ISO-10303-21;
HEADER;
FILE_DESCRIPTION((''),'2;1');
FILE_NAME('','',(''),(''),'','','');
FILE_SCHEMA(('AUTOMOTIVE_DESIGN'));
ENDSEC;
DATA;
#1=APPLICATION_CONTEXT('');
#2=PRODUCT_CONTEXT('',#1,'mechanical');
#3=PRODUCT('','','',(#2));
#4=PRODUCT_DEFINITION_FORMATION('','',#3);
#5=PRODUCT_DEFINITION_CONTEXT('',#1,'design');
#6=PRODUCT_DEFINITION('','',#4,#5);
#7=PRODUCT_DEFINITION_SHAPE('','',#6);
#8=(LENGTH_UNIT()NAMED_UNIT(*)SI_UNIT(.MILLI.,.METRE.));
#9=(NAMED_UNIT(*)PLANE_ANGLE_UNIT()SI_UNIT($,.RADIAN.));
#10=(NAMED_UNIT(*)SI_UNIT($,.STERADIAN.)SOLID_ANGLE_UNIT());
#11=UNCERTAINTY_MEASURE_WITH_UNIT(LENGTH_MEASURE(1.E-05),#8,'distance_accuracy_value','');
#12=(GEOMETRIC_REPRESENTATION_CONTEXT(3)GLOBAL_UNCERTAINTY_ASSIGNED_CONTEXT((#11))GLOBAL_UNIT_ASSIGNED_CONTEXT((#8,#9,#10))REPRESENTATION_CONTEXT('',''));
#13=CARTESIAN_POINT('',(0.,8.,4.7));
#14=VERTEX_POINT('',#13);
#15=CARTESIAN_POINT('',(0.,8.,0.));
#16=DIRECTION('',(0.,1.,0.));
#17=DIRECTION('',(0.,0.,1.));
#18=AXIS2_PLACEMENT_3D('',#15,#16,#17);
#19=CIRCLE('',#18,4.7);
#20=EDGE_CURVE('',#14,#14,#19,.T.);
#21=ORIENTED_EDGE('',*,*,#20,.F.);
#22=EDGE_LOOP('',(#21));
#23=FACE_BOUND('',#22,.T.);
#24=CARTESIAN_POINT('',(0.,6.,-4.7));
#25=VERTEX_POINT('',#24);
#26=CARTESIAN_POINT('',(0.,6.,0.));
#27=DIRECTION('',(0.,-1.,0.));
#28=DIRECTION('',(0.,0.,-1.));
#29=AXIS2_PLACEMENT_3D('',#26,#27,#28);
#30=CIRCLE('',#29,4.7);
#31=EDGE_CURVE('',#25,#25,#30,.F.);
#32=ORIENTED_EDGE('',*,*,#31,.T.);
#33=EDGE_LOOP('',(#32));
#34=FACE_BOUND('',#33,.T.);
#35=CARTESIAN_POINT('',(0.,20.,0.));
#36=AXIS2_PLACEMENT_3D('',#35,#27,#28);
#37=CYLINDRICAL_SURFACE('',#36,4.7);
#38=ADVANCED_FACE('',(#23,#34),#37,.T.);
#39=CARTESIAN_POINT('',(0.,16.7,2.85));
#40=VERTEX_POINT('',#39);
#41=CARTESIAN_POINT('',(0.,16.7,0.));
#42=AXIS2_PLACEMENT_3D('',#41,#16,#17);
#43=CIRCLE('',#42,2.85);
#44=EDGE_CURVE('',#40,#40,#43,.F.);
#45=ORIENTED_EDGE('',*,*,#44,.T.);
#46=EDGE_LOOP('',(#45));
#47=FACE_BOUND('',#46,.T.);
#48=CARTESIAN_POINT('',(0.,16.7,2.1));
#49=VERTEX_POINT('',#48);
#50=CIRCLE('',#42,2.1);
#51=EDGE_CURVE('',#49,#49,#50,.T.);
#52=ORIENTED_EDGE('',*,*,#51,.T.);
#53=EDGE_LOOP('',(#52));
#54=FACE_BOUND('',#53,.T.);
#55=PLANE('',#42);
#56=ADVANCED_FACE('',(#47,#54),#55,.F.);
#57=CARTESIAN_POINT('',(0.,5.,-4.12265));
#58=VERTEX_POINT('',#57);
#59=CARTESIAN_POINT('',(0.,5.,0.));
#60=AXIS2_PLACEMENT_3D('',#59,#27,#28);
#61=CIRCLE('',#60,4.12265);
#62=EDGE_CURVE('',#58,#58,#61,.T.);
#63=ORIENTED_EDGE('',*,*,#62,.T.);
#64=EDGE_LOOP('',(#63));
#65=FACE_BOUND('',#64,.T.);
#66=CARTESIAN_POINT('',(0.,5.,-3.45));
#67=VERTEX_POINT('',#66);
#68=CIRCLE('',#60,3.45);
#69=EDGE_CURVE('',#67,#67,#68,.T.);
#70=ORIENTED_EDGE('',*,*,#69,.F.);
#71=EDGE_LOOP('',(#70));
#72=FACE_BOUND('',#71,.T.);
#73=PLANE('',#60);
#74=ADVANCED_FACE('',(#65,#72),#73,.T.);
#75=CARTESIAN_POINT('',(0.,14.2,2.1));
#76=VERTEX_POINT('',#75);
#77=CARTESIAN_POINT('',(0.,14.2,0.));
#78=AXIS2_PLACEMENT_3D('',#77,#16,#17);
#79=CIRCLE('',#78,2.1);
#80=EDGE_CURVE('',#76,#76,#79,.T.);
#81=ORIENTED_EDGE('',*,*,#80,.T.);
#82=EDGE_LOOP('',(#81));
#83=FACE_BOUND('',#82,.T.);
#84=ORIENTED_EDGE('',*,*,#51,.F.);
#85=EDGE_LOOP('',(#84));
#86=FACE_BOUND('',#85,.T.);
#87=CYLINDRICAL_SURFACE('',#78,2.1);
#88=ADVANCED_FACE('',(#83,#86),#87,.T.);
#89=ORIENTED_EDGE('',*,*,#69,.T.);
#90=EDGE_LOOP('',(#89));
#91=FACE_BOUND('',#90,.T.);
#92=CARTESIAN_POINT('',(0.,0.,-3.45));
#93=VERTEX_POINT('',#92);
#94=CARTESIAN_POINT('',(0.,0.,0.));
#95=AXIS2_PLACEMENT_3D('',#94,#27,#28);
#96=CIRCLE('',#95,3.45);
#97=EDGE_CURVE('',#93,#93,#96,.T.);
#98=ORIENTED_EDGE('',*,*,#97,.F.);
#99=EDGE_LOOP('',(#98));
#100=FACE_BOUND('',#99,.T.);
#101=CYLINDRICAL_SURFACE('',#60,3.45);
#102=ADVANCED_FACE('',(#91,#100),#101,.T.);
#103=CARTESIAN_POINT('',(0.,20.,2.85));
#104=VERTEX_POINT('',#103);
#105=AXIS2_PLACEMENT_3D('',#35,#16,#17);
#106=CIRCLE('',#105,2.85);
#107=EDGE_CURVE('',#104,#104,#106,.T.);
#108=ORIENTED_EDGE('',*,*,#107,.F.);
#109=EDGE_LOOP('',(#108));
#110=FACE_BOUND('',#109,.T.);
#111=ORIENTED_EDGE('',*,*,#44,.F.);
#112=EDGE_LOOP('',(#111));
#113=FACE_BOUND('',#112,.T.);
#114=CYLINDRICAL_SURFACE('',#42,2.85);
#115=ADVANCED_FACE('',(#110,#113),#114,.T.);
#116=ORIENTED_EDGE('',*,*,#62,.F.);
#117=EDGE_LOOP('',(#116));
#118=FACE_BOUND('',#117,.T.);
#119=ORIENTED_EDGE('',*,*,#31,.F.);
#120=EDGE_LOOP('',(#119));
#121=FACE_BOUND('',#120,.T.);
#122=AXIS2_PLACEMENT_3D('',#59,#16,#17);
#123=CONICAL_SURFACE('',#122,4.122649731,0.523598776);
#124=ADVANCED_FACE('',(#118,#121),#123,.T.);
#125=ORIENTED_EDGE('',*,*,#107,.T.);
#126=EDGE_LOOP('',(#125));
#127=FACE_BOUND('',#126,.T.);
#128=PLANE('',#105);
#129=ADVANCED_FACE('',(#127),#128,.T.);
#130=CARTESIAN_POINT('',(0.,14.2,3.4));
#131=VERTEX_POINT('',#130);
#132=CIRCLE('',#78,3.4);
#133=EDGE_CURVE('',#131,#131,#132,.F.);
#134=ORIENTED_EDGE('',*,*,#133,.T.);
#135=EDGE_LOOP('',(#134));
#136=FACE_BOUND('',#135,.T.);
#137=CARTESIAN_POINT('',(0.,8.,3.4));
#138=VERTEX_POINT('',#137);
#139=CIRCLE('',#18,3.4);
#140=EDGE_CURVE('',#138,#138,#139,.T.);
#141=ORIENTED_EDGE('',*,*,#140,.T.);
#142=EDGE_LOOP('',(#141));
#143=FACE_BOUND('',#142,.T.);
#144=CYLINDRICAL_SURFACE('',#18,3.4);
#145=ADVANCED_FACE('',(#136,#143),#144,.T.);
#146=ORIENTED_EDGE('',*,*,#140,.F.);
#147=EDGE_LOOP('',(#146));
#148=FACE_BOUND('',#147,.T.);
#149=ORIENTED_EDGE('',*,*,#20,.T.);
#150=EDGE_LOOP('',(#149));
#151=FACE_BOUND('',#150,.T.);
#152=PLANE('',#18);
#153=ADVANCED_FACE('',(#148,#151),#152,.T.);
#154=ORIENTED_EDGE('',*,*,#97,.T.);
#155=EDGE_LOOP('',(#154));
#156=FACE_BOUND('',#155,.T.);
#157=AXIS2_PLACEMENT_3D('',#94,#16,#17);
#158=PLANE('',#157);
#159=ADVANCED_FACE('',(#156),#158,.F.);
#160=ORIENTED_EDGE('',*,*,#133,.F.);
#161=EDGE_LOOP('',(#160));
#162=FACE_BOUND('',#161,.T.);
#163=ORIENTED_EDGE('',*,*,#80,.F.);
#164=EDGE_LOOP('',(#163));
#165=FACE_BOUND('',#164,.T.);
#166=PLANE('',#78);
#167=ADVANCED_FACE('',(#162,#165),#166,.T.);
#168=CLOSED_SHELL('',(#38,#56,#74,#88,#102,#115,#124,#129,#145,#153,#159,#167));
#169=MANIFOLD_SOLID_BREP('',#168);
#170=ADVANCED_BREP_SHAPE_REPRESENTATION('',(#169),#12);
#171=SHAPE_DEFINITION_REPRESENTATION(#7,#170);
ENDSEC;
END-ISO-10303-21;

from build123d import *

# Parameters (mm, degrees)
SKETCH1_R           = 4.7
BOSS_EXTRUDE1_DEPTH = 20
SKETCH2_OUTSIDE_W   = 16.202
SKETCH2_OUTSIDE_H   = 16.202
SKETCH2_OUTSIDE_R   = 3.45
CUT_EXTRUDE1_DEPTH  = 5
SKETCH4_OUTSIDE_W   = 16.202
SKETCH4_OUTSIDE_H   = 16.202
SKETCH4_OUTSIDE_R   = 3.4
CUT_EXTRUDE2_DEPTH  = 12
SKETCH5_OUTSIDE_W   = 16.202
SKETCH5_OUTSIDE_H   = 16.202
SKETCH5_OUTSIDE_R   = 2.85
CUT_EXTRUDE3_DEPTH  = 3.3
SKETCH7_OUTSIDE_W   = 16.202
SKETCH7_OUTSIDE_H   = 16.202
SKETCH7_OUTSIDE_R   = 2.1
CUT_EXTRUDE4_DEPTH  = 2.5
CHAMFER1_SIZE       = 1
CHAMFER1_SIZE2      = 0.577350269


with BuildPart() as part:
    # Sketch1 → Boss-Extrude1 (new body)
    with BuildSketch(Plane(origin=(0, 0, 0), x_dir=(1, 0, 0), z_dir=(0, 1, 0))):
        with Locations(Location((0, 0, 0), (0, 0, 270))):  # turned: the seam where the file's is
            Circle(SKETCH1_R)
    extrude(amount=BOSS_EXTRUDE1_DEPTH)

    # Sketch2 outside → Cut-Extrude1 (cut)
    with BuildSketch(Plane.XZ):
        Rectangle(SKETCH2_OUTSIDE_W, SKETCH2_OUTSIDE_H)
        with Locations(Location((0, 0, 0), (0, 0, 270))):  # turned: the seam where the file's is
            Circle(SKETCH2_OUTSIDE_R, mode=Mode.SUBTRACT)
    extrude(amount=-CUT_EXTRUDE1_DEPTH, mode=Mode.SUBTRACT)

    # Sketch4 outside → Cut-Extrude2 (cut)
    with BuildSketch(Plane(origin=(0, 20, 0), x_dir=(1, 0, 0), z_dir=(0, 1, 0))):
        Rectangle(SKETCH4_OUTSIDE_W, SKETCH4_OUTSIDE_H)
        with Locations(Location((0, 0, 0), (0, 0, 270))):  # turned: the seam where the file's is
            Circle(SKETCH4_OUTSIDE_R, mode=Mode.SUBTRACT)
    extrude(amount=-CUT_EXTRUDE2_DEPTH, mode=Mode.SUBTRACT)

    # Sketch5 outside → Cut-Extrude3 (cut)
    with BuildSketch(Plane(origin=(0, 20, 0), x_dir=(1, 0, 0), z_dir=(0, 1, 0))):
        Rectangle(SKETCH5_OUTSIDE_W, SKETCH5_OUTSIDE_H)
        with Locations(Location((0, 0, 0), (0, 0, 270))):  # turned: the seam where the file's is
            Circle(SKETCH5_OUTSIDE_R, mode=Mode.SUBTRACT)
    extrude(amount=-CUT_EXTRUDE3_DEPTH, mode=Mode.SUBTRACT)

    # Sketch7 outside → Cut-Extrude4 (cut)
    with BuildSketch(Plane(origin=(0, 16.7, 0), x_dir=(1, 0, 0), z_dir=(0, 1, 0))):
        Rectangle(SKETCH7_OUTSIDE_W, SKETCH7_OUTSIDE_H)
        with Locations(Location((0, 0, 0), (0, 0, 270))):  # turned: the seam where the file's is
            Circle(SKETCH7_OUTSIDE_R, mode=Mode.SUBTRACT)
    extrude(amount=-CUT_EXTRUDE4_DEPTH, mode=Mode.SUBTRACT)

    # Chamfer1
    chamfer1_edges = [part.edges().sort_by_distance(p)[0] for p in [
        (0, 5, -4.7),
    ]]
    chamfer1_side = [part.faces().sort_by_distance(p)[0] for p in [
        (0, 6.5, -4.7),
    ]]
    chamfer(chamfer1_edges, length=CHAMFER1_SIZE, length2=CHAMFER1_SIZE2, reference=chamfer1_side[0])


solid = part.part
